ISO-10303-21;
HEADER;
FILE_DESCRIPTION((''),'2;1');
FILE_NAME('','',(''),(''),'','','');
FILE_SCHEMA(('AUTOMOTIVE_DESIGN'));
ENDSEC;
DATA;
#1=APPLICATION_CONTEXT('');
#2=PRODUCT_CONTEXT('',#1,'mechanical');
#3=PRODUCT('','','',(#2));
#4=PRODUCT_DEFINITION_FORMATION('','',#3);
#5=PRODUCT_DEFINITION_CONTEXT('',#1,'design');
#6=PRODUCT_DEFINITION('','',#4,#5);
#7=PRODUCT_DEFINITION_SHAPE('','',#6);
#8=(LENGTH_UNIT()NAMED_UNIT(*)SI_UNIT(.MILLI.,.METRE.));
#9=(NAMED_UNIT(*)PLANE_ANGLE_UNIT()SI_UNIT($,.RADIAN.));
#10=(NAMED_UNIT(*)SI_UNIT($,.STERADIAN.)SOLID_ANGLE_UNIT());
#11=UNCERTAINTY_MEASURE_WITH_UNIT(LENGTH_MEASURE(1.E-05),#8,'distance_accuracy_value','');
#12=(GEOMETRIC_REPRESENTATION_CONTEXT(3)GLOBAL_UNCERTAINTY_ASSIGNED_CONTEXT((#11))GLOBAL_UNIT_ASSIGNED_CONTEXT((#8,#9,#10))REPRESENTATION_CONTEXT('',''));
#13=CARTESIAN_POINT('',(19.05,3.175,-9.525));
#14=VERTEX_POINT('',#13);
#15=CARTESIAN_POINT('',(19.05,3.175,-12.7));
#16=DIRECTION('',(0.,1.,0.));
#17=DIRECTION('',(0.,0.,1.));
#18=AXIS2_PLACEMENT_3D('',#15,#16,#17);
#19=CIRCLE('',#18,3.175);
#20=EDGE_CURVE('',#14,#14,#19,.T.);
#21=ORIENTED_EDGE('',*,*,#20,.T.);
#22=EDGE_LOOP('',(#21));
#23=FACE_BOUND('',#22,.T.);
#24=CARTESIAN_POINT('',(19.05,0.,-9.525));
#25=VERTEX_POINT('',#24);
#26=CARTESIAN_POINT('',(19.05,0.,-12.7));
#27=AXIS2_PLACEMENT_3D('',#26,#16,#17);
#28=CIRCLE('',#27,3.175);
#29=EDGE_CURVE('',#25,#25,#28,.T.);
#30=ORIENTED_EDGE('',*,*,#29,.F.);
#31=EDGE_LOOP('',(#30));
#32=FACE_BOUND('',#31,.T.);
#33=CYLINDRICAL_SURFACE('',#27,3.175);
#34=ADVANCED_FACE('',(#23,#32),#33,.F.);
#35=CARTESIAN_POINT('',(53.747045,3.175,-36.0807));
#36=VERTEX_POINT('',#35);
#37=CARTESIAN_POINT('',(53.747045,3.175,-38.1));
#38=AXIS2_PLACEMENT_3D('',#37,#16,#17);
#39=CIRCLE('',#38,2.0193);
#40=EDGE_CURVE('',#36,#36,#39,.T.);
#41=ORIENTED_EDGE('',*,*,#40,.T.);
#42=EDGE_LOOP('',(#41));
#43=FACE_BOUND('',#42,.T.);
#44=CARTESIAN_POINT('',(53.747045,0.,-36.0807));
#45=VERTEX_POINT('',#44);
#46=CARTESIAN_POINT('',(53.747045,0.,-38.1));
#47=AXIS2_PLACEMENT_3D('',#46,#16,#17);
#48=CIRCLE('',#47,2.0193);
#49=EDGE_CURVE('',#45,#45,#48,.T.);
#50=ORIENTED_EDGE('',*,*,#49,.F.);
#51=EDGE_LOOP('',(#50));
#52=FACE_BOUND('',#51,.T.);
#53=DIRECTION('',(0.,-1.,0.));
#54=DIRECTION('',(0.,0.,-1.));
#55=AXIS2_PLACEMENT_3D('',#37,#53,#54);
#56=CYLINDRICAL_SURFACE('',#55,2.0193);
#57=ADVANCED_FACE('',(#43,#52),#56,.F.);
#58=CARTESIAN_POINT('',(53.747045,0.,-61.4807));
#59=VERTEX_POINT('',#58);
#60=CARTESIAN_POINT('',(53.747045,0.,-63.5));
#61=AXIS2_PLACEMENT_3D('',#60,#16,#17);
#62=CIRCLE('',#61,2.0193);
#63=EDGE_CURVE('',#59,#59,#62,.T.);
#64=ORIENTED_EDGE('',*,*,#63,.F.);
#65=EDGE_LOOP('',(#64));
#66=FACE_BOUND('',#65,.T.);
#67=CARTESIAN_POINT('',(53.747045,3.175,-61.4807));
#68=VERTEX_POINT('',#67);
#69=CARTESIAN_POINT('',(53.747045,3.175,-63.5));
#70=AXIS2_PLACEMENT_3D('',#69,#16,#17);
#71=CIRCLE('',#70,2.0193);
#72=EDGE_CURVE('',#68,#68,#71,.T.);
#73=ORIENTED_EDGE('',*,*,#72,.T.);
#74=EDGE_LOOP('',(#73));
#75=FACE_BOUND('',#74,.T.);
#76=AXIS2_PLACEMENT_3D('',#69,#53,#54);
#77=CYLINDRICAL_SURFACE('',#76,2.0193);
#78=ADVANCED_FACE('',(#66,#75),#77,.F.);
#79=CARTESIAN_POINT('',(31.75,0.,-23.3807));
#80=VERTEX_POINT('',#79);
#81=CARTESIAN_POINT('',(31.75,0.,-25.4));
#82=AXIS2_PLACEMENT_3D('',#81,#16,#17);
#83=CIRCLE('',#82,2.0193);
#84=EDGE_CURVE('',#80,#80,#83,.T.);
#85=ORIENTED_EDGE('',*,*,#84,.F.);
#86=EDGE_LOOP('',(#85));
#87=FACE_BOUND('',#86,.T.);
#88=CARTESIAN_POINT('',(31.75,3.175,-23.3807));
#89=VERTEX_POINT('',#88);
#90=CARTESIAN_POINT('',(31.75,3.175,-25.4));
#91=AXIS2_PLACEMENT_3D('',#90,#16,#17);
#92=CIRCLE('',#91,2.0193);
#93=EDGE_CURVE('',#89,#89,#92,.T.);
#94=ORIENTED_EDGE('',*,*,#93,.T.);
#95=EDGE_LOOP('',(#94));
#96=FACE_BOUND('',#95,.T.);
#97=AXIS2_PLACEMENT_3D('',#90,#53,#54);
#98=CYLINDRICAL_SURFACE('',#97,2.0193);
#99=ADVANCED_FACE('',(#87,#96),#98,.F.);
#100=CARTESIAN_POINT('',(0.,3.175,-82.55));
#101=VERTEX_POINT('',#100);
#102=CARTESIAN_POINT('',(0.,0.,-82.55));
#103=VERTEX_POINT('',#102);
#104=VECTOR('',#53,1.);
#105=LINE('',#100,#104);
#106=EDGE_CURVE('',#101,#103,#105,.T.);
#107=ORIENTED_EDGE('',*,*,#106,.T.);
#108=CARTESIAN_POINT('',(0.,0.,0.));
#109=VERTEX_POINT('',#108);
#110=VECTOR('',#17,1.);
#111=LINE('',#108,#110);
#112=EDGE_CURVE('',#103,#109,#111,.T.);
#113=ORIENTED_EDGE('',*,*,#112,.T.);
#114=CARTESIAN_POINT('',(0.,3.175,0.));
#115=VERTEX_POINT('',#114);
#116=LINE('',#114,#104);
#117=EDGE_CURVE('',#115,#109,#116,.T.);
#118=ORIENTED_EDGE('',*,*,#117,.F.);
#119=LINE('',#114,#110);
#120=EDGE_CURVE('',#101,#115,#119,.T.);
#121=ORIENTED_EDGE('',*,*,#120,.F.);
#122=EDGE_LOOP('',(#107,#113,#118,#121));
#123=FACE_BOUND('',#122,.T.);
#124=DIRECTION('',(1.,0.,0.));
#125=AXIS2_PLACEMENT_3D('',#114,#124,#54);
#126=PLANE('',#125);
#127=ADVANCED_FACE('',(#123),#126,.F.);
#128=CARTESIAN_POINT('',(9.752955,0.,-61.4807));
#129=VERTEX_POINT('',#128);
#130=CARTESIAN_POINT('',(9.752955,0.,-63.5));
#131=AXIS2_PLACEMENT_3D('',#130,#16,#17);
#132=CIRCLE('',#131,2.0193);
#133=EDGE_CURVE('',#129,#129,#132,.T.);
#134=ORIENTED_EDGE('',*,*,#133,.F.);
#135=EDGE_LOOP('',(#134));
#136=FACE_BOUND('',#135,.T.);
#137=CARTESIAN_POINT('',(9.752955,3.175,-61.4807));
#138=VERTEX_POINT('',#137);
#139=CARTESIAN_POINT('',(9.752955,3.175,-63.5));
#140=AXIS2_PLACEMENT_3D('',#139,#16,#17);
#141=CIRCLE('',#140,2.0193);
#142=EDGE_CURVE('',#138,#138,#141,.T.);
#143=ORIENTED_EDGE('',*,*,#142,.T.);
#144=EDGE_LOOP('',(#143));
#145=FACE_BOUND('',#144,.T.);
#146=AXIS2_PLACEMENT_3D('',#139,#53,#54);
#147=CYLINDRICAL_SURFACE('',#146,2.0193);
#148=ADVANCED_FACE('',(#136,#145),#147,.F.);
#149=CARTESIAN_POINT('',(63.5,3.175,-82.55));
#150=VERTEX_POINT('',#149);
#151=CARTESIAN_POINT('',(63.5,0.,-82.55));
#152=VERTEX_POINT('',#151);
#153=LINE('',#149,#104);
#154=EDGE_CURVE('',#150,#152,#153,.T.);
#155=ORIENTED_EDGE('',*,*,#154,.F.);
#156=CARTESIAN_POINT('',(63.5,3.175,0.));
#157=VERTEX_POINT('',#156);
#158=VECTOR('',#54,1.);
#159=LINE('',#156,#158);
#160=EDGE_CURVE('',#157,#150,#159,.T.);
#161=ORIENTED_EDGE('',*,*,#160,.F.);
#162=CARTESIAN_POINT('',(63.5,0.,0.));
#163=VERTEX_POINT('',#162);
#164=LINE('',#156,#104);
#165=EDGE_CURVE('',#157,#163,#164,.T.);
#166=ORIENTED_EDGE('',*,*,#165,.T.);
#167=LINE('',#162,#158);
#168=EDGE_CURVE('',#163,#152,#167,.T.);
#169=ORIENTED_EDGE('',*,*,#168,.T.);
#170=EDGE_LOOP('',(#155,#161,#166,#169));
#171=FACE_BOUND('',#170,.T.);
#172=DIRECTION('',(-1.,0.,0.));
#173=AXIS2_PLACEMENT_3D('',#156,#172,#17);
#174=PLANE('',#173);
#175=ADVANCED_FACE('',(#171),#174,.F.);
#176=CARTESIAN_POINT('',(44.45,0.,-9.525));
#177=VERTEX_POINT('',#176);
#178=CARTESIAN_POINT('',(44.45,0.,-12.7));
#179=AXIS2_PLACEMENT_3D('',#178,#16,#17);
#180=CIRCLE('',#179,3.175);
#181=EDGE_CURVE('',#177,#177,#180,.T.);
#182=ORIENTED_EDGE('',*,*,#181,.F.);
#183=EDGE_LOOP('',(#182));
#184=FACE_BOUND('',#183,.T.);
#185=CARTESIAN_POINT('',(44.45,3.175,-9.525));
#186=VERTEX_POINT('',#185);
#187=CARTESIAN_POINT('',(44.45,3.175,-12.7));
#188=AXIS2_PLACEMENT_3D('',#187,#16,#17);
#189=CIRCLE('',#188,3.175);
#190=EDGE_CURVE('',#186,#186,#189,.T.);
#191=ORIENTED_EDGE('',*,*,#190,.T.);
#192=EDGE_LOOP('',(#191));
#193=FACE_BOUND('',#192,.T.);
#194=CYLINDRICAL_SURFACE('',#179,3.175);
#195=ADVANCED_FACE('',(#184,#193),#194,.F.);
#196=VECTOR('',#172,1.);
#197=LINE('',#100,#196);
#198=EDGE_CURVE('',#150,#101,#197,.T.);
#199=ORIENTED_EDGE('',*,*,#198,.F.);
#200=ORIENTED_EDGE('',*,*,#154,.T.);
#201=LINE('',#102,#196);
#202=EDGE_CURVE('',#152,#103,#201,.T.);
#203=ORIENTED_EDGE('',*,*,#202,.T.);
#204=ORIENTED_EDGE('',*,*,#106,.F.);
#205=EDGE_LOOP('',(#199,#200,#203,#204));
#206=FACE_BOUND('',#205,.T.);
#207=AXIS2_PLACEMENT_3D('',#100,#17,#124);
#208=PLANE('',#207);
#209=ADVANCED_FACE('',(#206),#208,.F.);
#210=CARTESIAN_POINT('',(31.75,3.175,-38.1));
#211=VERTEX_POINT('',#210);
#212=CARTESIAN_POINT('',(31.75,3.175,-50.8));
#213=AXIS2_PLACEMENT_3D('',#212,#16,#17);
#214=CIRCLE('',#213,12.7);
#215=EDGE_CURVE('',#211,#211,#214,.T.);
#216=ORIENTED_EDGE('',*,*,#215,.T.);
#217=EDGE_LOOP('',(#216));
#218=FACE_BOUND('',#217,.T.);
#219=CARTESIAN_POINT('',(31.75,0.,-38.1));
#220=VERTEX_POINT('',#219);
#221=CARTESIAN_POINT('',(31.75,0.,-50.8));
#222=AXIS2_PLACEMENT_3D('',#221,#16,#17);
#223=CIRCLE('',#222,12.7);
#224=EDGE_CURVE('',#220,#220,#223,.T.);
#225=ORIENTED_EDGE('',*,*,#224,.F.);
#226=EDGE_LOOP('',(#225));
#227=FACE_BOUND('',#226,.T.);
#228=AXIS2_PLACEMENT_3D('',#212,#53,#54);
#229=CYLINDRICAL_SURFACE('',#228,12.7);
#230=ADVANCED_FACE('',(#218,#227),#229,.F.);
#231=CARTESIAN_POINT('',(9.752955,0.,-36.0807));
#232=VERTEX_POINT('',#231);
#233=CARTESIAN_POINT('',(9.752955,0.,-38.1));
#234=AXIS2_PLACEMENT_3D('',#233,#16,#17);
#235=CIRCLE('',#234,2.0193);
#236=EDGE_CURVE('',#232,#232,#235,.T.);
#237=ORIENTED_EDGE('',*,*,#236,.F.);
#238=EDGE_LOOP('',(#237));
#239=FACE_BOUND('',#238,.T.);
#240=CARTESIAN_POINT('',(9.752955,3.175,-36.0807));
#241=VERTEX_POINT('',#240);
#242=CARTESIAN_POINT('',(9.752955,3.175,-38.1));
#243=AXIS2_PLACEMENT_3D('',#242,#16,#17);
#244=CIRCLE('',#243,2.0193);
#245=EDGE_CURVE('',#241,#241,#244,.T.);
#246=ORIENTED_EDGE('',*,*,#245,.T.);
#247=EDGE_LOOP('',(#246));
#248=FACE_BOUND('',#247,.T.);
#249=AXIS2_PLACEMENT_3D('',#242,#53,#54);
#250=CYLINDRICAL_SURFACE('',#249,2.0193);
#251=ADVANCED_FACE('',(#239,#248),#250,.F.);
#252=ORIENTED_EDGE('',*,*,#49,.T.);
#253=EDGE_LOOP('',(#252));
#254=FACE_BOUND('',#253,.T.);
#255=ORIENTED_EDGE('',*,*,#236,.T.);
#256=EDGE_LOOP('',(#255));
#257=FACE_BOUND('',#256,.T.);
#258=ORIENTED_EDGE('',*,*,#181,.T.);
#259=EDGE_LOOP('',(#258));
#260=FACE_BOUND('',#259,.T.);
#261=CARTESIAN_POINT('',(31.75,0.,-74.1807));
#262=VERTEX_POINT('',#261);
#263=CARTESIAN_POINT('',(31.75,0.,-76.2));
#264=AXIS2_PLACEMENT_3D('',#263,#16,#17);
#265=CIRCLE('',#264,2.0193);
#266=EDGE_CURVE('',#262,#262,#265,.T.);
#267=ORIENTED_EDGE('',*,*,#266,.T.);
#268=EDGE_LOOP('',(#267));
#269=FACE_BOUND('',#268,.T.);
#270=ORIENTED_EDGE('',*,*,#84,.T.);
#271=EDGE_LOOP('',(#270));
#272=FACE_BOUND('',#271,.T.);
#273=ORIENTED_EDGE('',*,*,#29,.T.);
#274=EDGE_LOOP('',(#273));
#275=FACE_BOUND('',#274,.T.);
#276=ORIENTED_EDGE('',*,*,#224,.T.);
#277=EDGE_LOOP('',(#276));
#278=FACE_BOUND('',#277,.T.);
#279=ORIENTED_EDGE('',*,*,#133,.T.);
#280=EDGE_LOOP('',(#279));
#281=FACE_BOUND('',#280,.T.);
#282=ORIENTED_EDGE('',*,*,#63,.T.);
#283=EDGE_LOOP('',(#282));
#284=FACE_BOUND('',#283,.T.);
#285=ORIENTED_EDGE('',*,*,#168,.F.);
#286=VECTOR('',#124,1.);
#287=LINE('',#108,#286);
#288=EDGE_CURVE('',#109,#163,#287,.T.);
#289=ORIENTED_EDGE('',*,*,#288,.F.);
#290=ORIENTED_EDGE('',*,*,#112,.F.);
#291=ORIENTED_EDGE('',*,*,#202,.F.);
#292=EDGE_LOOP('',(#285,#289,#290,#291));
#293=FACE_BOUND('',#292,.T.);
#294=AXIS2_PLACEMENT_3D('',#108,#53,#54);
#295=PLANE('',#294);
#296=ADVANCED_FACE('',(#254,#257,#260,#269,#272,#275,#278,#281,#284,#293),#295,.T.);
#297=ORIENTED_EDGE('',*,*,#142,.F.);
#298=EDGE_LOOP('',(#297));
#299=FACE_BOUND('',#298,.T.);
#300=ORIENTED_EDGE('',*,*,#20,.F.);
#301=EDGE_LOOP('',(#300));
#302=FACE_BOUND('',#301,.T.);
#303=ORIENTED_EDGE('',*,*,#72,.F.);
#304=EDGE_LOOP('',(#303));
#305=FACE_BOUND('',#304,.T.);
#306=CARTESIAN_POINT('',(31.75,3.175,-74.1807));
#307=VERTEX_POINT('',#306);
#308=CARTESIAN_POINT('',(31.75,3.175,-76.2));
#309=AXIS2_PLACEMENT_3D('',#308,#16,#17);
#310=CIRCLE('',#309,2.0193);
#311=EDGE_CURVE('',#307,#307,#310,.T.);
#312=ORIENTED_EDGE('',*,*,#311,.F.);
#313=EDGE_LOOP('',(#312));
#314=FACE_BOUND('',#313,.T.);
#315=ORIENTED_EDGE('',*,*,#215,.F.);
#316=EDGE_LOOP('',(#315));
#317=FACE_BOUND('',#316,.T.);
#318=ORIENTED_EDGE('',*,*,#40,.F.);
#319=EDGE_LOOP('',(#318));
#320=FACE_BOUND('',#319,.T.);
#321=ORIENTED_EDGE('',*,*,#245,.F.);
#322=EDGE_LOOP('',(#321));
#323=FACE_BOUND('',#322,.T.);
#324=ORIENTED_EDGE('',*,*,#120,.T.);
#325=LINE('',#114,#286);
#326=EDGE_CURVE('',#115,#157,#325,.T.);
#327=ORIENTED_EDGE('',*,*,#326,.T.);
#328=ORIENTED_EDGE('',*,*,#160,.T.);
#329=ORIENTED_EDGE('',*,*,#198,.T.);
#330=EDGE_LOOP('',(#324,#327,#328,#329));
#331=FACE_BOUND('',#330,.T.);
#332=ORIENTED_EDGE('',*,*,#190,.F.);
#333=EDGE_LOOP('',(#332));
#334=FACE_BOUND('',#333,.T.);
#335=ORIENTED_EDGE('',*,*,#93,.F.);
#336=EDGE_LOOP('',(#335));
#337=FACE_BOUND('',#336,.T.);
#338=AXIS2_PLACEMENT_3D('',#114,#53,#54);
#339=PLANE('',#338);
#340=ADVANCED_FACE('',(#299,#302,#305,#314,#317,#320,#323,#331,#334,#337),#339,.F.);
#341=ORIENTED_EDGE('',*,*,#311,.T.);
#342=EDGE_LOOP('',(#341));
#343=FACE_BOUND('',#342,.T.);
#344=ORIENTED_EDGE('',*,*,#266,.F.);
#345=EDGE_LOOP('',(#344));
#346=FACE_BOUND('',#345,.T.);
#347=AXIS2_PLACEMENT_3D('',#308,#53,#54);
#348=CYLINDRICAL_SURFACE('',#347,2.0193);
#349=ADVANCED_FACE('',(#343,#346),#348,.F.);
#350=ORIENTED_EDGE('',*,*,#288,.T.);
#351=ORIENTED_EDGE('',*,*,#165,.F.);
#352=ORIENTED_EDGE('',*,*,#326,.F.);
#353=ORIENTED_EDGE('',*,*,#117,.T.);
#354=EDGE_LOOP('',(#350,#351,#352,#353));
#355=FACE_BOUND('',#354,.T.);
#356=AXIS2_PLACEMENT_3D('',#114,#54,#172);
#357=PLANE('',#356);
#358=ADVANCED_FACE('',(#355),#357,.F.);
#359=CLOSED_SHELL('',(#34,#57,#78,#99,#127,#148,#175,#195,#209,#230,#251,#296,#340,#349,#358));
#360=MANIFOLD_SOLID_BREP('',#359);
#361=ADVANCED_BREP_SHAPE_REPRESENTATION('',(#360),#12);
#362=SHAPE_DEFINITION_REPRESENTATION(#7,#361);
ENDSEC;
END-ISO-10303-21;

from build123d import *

# Parameters (mm, degrees)
SKETCH1_W           = 63.5
SKETCH1_H           = 82.55
SKETCH1_R           = 12.7
SKETCH1_R_2         = 2.0193
BOSS_EXTRUDE1_DEPTH = 3.175
SKETCH2_R           = 3.175
CUT_EXTRUDE1_DEPTH  = 4.175


with BuildPart() as part:
    # Sketch1 → Boss-Extrude1 (new body)
    with BuildSketch(Plane(origin=(0, 0, 0), x_dir=(1, 0, 0), z_dir=(0, 1, 0))):
        with Locations((31.75, 41.275)):
            Rectangle(SKETCH1_W, SKETCH1_H)
        with Locations((31.75, 50.8)):
            Circle(SKETCH1_R, mode=Mode.SUBTRACT)
        with Locations((9.752954744, 63.5)):
            Circle(SKETCH1_R_2, mode=Mode.SUBTRACT)
        with Locations((31.75, 76.2)):
            Circle(SKETCH1_R_2, mode=Mode.SUBTRACT)
        with Locations((53.747045256, 63.5)):
            Circle(SKETCH1_R_2, mode=Mode.SUBTRACT)
        with Locations((53.747045256, 38.1)):
            Circle(SKETCH1_R_2, mode=Mode.SUBTRACT)
        with Locations((31.75, 25.4)):
            Circle(SKETCH1_R_2, mode=Mode.SUBTRACT)
        with Locations((9.752954744, 38.1)):
            Circle(SKETCH1_R_2, mode=Mode.SUBTRACT)
    extrude(amount=BOSS_EXTRUDE1_DEPTH)

    # Sketch2 → Cut-Extrude1 (cut, through all)
    with BuildSketch(Plane(origin=(0, 3.175, 0), x_dir=(1, 0, 0), z_dir=(0, 1, 0))):
        with Locations((19.05, 12.7)):
            Circle(SKETCH2_R)
        with Locations((44.45, 12.7)):
            Circle(SKETCH2_R)
    extrude(amount=-CUT_EXTRUDE1_DEPTH, mode=Mode.SUBTRACT)


solid = part.part
